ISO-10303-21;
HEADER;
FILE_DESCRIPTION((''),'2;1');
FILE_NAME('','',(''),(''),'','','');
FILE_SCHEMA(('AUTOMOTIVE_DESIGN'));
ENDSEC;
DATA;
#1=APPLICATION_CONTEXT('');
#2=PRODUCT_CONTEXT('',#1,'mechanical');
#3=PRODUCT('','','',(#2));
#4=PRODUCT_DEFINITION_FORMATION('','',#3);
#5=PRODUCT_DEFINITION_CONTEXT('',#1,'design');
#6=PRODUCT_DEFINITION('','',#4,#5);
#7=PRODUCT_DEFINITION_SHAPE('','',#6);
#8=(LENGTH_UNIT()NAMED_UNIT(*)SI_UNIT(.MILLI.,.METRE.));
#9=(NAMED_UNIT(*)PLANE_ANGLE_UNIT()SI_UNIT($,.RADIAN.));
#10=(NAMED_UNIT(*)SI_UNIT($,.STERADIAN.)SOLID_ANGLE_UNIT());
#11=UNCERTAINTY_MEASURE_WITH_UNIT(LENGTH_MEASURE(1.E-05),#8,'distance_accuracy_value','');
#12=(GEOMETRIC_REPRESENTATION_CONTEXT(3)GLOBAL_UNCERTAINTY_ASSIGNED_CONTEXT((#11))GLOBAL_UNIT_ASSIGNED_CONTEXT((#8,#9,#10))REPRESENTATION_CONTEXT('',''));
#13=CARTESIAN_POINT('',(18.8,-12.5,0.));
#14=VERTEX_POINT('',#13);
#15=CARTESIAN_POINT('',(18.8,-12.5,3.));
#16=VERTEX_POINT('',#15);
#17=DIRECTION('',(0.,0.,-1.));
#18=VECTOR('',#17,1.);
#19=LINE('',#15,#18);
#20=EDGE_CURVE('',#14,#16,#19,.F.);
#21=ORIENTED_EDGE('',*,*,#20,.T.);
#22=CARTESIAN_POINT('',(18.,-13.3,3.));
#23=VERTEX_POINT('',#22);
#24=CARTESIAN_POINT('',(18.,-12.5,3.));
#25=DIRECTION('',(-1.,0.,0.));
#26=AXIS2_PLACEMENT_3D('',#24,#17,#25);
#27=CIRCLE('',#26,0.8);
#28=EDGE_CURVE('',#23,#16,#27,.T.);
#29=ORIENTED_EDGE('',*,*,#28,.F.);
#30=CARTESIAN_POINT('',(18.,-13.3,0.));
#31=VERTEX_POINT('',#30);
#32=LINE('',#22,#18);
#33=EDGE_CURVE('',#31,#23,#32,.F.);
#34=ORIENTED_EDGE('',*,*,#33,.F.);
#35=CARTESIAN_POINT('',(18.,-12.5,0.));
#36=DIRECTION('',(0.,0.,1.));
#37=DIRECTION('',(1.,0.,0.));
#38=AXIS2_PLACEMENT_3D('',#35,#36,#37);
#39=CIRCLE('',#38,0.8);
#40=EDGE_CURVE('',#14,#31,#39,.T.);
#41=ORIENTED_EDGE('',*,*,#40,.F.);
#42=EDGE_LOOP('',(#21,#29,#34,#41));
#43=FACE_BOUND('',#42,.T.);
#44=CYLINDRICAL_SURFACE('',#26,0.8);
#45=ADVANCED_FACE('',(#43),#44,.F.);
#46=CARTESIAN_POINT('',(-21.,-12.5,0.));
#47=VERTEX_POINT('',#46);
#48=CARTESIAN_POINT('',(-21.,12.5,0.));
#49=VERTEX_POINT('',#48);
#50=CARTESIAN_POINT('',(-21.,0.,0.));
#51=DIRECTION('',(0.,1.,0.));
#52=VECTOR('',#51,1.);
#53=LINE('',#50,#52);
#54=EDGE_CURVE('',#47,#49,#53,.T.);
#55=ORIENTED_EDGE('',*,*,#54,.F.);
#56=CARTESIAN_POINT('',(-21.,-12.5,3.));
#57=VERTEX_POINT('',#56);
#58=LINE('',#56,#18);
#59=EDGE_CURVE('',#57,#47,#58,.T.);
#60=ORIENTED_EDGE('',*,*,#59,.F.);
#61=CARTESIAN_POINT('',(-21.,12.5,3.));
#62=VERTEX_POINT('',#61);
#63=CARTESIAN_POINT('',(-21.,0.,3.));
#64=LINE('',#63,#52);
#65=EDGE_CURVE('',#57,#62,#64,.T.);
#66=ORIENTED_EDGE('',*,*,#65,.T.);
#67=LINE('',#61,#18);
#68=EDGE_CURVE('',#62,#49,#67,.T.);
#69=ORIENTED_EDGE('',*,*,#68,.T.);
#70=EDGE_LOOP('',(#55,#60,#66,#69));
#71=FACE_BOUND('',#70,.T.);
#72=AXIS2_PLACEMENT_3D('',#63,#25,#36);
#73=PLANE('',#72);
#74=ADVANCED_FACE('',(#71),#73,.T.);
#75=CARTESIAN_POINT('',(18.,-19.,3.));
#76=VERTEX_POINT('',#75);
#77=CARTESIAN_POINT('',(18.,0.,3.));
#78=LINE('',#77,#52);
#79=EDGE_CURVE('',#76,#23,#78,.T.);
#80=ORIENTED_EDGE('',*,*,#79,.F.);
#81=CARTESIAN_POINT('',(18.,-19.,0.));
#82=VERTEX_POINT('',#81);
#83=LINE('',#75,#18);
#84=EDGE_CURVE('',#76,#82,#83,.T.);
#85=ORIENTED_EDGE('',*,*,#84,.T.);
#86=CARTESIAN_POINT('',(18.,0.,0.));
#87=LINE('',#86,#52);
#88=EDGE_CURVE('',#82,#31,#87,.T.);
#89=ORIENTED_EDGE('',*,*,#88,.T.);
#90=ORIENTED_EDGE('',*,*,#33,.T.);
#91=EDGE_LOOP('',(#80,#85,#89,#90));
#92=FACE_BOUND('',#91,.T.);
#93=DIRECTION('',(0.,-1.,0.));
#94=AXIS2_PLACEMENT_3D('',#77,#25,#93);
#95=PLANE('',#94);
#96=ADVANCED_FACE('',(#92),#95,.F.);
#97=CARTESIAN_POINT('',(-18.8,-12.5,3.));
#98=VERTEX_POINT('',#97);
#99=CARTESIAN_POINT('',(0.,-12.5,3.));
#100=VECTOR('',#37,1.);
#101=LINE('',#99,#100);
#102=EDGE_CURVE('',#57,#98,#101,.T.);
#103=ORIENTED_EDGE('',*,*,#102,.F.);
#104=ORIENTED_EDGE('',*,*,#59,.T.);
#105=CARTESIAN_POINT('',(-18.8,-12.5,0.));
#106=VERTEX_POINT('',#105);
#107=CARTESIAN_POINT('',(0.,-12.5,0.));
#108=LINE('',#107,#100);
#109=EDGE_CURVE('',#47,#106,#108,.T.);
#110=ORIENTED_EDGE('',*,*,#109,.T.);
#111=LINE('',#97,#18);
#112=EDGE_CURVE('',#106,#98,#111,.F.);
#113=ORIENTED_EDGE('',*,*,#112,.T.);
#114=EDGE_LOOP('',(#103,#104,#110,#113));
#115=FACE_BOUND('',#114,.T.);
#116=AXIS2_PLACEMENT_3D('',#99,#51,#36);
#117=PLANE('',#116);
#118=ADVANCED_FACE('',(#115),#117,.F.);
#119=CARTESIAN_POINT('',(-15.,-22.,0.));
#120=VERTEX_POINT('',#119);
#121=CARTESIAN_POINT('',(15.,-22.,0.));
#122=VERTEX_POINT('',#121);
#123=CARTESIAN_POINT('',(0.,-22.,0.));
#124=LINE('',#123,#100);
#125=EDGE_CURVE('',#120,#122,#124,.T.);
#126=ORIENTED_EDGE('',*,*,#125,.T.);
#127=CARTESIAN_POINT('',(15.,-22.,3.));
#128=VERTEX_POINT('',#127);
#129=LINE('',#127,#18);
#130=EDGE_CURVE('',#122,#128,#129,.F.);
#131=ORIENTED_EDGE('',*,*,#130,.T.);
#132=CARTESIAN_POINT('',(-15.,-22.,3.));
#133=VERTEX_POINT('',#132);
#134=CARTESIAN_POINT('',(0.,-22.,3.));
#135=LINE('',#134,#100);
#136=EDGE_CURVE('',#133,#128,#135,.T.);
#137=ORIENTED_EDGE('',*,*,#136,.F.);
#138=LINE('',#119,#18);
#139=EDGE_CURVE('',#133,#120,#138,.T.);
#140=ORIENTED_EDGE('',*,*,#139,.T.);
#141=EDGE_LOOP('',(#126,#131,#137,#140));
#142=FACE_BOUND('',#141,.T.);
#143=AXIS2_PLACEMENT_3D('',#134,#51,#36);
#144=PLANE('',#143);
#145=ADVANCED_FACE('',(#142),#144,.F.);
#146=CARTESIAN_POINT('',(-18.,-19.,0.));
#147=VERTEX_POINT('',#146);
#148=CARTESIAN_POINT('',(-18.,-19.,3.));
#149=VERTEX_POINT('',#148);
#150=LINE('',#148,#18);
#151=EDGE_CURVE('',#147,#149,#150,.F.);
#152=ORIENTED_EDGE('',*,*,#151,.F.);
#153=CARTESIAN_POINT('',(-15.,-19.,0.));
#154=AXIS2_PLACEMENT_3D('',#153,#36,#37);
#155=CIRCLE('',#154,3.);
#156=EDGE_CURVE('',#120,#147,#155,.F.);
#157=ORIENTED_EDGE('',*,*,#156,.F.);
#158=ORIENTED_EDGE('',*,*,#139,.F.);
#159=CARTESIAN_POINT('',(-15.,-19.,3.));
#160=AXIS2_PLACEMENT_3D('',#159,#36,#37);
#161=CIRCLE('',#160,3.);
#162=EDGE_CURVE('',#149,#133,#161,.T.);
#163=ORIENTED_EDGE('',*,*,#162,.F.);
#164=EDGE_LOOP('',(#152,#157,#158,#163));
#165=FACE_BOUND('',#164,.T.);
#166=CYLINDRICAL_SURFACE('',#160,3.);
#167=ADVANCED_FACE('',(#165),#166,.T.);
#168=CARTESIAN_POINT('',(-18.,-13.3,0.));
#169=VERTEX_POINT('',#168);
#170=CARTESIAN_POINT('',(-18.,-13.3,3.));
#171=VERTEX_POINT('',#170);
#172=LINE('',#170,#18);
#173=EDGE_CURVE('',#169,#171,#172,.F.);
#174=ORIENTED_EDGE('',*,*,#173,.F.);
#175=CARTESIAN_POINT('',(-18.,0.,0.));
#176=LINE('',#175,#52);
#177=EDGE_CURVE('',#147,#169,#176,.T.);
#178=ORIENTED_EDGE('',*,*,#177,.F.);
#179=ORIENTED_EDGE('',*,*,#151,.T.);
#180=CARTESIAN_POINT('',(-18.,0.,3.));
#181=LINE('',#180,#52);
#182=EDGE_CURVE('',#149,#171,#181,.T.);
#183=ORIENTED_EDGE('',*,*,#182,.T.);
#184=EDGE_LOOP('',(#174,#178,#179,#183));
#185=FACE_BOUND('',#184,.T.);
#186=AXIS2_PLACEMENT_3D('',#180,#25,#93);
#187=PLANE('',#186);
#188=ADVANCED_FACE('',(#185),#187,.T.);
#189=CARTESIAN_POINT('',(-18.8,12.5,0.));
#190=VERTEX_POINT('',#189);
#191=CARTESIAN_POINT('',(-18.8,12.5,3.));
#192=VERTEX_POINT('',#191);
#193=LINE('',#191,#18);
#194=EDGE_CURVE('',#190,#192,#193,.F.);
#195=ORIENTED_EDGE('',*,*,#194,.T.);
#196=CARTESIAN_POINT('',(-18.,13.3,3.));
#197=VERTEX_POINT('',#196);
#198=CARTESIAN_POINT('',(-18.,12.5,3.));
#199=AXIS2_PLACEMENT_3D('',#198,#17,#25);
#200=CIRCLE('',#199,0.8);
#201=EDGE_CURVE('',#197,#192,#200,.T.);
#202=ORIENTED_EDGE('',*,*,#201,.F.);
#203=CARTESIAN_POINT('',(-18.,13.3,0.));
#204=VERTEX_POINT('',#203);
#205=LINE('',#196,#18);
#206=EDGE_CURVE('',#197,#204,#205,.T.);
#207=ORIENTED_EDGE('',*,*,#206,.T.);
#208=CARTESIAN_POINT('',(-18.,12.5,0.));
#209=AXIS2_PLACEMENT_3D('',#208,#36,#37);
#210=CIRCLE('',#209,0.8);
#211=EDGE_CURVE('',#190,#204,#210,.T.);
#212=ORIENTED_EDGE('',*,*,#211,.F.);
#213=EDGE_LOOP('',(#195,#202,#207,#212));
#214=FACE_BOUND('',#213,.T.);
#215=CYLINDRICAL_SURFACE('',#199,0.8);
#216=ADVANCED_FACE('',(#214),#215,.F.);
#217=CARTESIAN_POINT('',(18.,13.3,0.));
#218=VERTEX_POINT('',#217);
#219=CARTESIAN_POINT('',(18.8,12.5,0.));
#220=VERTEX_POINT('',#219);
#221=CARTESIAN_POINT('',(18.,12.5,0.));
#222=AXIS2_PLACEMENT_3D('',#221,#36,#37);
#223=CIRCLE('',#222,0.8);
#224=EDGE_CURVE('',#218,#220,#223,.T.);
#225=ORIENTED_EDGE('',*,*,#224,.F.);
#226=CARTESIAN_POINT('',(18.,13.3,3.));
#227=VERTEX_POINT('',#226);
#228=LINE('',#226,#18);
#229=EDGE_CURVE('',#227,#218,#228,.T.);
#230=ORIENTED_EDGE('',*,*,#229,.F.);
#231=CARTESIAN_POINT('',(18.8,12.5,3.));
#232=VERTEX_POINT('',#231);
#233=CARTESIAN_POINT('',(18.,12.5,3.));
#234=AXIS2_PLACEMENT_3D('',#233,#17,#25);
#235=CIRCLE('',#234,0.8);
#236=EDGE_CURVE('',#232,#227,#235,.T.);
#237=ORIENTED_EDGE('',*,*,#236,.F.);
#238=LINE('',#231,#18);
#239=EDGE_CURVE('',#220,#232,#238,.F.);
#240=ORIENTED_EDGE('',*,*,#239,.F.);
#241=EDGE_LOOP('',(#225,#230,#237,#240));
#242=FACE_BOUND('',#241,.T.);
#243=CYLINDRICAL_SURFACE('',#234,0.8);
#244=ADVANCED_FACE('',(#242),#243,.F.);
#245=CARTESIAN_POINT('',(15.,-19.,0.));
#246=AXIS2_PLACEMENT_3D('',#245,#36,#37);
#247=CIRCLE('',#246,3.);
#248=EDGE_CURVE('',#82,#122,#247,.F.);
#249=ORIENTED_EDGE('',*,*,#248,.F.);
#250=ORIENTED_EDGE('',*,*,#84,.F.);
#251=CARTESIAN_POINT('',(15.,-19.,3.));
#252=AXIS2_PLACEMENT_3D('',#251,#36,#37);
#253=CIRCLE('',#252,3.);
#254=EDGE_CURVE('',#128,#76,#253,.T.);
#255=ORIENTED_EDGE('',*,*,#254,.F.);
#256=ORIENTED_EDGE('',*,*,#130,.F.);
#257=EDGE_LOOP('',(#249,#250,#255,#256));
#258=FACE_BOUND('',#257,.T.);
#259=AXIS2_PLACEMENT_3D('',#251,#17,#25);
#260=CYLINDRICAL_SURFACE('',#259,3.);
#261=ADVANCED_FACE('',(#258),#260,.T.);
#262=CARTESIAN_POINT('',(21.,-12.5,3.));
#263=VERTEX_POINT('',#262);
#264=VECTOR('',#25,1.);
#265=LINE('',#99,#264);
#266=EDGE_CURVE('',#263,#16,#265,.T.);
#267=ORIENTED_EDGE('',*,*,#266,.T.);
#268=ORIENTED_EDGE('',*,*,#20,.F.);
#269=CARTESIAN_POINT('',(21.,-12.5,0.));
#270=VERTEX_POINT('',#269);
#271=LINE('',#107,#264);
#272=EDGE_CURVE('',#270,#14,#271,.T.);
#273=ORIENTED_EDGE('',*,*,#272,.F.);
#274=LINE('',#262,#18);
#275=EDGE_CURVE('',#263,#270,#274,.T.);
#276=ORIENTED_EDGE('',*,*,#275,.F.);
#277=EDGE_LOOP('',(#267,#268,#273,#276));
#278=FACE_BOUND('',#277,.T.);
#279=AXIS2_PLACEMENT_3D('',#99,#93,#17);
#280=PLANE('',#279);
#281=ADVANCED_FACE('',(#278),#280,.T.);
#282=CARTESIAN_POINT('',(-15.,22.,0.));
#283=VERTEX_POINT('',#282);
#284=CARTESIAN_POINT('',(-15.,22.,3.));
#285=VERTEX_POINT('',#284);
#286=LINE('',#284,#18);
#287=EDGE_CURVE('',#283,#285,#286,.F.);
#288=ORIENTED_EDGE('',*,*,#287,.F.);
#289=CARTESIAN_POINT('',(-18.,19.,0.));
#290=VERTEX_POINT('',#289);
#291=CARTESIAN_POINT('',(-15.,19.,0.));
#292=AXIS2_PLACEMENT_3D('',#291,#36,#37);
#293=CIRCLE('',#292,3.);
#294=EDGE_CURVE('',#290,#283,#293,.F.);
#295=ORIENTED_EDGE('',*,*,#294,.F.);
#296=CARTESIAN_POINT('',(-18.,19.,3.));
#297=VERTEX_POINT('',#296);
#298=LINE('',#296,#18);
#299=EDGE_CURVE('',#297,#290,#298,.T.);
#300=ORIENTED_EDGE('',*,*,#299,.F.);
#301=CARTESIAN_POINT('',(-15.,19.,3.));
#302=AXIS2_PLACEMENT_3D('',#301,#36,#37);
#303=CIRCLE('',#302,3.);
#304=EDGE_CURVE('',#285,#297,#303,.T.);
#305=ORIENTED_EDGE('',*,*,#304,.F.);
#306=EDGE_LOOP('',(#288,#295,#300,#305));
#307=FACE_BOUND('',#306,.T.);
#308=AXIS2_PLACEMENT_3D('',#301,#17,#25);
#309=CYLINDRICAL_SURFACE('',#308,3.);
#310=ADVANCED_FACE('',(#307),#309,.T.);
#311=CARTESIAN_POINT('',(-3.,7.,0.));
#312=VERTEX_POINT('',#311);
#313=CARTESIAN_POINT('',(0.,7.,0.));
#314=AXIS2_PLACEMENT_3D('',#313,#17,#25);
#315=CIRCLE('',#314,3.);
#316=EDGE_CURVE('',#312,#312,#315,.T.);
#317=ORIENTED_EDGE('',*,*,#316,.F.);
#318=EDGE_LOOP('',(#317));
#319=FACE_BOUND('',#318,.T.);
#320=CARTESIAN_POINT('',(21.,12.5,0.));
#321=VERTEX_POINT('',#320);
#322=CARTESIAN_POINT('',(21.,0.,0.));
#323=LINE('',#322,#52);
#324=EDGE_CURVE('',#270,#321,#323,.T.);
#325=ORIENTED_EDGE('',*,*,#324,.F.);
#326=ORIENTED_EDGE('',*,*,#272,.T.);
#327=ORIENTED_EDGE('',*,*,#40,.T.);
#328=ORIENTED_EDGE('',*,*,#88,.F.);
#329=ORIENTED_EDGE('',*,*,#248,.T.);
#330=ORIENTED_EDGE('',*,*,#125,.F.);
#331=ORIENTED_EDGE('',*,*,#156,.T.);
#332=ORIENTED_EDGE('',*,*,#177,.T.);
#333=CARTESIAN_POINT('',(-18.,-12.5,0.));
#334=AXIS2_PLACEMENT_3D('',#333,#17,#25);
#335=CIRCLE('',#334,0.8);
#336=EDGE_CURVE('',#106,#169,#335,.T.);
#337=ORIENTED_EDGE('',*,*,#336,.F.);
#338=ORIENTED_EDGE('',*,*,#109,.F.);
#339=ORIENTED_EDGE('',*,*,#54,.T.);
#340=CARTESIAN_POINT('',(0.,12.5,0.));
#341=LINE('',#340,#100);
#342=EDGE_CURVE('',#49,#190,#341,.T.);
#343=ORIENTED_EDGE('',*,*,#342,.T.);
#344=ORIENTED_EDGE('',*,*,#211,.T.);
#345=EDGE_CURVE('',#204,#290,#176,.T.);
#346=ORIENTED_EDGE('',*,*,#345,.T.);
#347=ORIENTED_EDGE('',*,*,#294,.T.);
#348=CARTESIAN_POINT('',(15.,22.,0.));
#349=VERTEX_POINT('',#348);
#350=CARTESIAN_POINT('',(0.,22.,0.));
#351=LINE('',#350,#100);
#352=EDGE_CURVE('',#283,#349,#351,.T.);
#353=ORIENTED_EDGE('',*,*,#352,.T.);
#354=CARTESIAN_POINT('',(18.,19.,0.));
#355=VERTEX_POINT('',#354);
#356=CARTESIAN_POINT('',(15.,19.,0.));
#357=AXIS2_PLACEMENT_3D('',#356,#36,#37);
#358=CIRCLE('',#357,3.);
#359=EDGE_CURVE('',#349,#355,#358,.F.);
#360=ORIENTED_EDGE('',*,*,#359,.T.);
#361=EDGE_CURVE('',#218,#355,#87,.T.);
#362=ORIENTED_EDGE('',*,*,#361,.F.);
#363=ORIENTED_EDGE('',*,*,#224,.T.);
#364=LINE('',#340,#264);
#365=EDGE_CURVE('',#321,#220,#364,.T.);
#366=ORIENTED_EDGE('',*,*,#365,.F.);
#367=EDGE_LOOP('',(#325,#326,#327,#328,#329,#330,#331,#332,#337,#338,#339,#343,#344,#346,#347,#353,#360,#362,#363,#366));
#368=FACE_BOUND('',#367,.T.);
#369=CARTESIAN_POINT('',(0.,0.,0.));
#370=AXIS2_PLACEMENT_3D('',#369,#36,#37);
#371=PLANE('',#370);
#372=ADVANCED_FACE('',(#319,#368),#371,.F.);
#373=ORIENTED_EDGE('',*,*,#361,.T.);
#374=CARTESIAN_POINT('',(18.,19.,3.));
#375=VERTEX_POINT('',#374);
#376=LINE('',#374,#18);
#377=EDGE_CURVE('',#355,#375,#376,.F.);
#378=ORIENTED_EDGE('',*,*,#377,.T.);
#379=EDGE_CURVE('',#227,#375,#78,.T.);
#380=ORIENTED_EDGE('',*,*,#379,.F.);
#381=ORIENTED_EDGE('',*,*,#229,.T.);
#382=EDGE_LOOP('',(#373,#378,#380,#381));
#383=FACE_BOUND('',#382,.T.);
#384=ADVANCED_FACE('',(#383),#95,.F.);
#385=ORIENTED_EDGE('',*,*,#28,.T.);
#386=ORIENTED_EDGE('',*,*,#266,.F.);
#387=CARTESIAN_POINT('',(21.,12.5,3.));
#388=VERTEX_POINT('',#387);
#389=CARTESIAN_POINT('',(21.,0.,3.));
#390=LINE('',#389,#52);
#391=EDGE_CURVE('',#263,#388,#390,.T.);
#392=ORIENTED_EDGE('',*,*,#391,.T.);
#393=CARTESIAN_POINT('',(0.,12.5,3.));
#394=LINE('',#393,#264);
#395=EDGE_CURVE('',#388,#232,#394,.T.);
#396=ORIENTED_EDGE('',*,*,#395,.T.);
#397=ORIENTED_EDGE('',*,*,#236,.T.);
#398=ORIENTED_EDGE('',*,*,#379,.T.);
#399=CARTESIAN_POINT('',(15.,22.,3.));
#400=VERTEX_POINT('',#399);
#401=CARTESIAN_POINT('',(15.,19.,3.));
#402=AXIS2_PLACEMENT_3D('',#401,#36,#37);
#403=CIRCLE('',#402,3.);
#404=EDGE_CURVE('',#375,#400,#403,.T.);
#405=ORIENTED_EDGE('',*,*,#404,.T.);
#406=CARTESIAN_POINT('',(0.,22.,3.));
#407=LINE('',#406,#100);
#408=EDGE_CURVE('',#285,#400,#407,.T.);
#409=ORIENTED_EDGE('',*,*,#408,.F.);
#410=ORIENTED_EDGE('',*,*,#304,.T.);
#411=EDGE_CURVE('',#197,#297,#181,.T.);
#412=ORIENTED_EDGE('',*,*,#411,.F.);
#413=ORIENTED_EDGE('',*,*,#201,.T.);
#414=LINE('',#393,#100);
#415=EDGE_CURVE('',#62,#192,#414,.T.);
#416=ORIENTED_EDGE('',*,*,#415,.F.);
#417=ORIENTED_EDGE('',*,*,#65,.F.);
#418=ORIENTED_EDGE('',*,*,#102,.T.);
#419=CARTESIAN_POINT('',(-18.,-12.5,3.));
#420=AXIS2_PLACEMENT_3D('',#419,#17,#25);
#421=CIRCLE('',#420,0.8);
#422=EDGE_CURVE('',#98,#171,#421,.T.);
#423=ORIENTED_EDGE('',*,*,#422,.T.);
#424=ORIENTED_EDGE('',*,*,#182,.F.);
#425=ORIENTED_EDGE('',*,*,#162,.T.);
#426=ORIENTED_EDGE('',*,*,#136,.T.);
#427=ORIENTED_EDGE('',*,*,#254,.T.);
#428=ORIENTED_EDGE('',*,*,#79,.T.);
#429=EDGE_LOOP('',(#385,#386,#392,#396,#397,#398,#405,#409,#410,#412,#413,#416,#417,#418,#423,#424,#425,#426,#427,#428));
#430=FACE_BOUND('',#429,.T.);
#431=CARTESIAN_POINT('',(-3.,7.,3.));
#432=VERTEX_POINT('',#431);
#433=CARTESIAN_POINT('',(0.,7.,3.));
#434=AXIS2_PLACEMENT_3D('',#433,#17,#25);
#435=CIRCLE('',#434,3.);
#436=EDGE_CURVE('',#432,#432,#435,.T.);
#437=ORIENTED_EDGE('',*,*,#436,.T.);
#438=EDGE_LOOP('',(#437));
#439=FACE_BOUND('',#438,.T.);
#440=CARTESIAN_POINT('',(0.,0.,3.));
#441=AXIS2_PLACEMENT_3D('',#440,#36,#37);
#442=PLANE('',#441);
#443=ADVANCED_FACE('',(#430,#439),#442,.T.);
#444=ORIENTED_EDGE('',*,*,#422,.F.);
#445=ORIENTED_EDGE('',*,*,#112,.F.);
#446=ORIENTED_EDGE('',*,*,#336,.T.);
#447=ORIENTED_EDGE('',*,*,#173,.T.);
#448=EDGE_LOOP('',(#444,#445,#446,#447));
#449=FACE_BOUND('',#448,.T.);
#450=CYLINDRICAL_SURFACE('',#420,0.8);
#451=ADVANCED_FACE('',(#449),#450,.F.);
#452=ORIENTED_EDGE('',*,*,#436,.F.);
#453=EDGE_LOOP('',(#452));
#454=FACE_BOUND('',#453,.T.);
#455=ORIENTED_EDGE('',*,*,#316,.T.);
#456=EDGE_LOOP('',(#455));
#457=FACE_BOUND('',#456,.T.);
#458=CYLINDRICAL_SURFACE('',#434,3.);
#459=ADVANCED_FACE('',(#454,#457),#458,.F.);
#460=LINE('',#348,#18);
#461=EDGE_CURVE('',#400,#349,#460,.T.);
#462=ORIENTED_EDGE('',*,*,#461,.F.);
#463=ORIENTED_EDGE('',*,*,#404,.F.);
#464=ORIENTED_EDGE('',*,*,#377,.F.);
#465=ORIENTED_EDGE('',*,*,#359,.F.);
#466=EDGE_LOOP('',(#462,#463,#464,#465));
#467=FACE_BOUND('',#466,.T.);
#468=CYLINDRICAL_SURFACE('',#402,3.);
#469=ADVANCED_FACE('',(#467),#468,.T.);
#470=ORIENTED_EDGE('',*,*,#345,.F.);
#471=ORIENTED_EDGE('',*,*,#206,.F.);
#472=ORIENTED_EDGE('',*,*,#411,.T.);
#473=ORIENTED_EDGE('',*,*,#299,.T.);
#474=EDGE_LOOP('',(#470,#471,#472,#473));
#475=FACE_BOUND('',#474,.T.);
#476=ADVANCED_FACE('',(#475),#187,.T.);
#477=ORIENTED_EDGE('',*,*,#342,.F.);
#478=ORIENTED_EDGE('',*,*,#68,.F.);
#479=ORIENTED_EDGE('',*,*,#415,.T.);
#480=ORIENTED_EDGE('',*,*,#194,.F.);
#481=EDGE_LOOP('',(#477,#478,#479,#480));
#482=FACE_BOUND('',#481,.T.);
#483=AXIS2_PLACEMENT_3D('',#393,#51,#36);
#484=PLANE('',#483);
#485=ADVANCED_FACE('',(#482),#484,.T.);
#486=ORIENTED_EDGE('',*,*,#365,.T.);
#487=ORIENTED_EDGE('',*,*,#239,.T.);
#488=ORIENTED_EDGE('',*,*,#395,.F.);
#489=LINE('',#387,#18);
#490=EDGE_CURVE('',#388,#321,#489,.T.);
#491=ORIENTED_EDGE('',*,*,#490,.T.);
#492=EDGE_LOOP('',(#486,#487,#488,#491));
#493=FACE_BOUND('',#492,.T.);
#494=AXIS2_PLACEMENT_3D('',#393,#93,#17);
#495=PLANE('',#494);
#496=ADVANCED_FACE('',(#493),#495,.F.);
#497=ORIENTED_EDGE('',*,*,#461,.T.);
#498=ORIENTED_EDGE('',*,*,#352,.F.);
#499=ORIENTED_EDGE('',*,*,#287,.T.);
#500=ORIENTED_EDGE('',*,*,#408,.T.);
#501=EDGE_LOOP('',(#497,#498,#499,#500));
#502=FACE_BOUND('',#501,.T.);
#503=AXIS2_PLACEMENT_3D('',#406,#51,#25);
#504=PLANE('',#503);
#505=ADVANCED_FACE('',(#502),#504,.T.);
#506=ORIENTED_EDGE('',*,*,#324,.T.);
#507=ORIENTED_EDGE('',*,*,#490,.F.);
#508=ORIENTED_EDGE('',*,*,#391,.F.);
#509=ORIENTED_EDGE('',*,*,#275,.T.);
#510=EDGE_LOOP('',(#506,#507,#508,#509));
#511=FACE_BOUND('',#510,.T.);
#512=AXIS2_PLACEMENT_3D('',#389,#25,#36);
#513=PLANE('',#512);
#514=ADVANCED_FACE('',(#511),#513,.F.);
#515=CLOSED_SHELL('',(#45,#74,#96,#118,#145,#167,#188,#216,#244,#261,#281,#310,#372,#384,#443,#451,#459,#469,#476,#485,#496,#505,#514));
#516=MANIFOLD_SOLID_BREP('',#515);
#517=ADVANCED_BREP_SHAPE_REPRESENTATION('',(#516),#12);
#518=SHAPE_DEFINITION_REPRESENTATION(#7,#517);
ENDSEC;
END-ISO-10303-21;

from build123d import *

# Parameters (mm, degrees)
SKETCH1_W           = 3
SKETCH1_H           = 25
BOSS_EXTRUDE1_DEPTH = 3
SKETCH5_R           = 3
CUT_EXTRUDE3_DEPTH  = 31.56141358
SKETCH6_R           = 0.8
CUT_EXTRUDE4_DEPTH  = 31.56141358
FILLET1_R           = 3


with BuildPart() as part:
    # Sketch1 → Boss-Extrude1 (new body)
    with BuildSketch(Plane.XY):
        Polygon((-18, -12.5), (-18, -22), (18, -22), (18, -12.5), (15, -12.5), (15, 12.5), (18, 12.5), (18, 22), (-18, 22), (-18, 12.5), (-15, 12.5), (-15, -12.5), align=None)
        with Locations((-19.5, 0)):
            Rectangle(SKETCH1_W, SKETCH1_H)
        with Locations((-16.5, 0)):
            Rectangle(SKETCH1_W, SKETCH1_H)
        with Locations((19.5, 0)):
            Rectangle(SKETCH1_W, SKETCH1_H)
        with Locations((16.5, 0)):
            Rectangle(SKETCH1_W, SKETCH1_H)
    extrude(amount=BOSS_EXTRUDE1_DEPTH)

    # Sketch5 → Cut-Extrude3 (cut, through all)
    with BuildSketch(Plane(origin=(0, 0, 0), x_dir=(-1, 0, 0), z_dir=(0, 0, -1))):
        with Locations((0, 7)):
            Circle(SKETCH5_R)
    extrude(amount=-CUT_EXTRUDE3_DEPTH, mode=Mode.SUBTRACT)

    # Sketch6 → Cut-Extrude4 (cut, through all)
    with BuildSketch(Plane(origin=(0, 0, 0), x_dir=(-1, 0, 0), z_dir=(0, 0, -1))):
        with Locations((-18, 12.5)):
            Circle(SKETCH6_R)
        with Locations((-18, -12.5)):
            Circle(SKETCH6_R)
        with Locations((18, -12.5)):
            Circle(SKETCH6_R)
        with Locations((18, 12.5)):
            Circle(SKETCH6_R)
    extrude(amount=-CUT_EXTRUDE4_DEPTH, mode=Mode.SUBTRACT)

    # Fillet1
    fillet1_edges = [part.edges().sort_by_distance(p)[0] for p in [
        (-18, 22, 1.5),
        (18, 22, 1.5),
        (18, -22, 1.5),
        (-18, -22, 1.5),
    ]]
    fillet(fillet1_edges, radius=FILLET1_R)


solid = part.part
